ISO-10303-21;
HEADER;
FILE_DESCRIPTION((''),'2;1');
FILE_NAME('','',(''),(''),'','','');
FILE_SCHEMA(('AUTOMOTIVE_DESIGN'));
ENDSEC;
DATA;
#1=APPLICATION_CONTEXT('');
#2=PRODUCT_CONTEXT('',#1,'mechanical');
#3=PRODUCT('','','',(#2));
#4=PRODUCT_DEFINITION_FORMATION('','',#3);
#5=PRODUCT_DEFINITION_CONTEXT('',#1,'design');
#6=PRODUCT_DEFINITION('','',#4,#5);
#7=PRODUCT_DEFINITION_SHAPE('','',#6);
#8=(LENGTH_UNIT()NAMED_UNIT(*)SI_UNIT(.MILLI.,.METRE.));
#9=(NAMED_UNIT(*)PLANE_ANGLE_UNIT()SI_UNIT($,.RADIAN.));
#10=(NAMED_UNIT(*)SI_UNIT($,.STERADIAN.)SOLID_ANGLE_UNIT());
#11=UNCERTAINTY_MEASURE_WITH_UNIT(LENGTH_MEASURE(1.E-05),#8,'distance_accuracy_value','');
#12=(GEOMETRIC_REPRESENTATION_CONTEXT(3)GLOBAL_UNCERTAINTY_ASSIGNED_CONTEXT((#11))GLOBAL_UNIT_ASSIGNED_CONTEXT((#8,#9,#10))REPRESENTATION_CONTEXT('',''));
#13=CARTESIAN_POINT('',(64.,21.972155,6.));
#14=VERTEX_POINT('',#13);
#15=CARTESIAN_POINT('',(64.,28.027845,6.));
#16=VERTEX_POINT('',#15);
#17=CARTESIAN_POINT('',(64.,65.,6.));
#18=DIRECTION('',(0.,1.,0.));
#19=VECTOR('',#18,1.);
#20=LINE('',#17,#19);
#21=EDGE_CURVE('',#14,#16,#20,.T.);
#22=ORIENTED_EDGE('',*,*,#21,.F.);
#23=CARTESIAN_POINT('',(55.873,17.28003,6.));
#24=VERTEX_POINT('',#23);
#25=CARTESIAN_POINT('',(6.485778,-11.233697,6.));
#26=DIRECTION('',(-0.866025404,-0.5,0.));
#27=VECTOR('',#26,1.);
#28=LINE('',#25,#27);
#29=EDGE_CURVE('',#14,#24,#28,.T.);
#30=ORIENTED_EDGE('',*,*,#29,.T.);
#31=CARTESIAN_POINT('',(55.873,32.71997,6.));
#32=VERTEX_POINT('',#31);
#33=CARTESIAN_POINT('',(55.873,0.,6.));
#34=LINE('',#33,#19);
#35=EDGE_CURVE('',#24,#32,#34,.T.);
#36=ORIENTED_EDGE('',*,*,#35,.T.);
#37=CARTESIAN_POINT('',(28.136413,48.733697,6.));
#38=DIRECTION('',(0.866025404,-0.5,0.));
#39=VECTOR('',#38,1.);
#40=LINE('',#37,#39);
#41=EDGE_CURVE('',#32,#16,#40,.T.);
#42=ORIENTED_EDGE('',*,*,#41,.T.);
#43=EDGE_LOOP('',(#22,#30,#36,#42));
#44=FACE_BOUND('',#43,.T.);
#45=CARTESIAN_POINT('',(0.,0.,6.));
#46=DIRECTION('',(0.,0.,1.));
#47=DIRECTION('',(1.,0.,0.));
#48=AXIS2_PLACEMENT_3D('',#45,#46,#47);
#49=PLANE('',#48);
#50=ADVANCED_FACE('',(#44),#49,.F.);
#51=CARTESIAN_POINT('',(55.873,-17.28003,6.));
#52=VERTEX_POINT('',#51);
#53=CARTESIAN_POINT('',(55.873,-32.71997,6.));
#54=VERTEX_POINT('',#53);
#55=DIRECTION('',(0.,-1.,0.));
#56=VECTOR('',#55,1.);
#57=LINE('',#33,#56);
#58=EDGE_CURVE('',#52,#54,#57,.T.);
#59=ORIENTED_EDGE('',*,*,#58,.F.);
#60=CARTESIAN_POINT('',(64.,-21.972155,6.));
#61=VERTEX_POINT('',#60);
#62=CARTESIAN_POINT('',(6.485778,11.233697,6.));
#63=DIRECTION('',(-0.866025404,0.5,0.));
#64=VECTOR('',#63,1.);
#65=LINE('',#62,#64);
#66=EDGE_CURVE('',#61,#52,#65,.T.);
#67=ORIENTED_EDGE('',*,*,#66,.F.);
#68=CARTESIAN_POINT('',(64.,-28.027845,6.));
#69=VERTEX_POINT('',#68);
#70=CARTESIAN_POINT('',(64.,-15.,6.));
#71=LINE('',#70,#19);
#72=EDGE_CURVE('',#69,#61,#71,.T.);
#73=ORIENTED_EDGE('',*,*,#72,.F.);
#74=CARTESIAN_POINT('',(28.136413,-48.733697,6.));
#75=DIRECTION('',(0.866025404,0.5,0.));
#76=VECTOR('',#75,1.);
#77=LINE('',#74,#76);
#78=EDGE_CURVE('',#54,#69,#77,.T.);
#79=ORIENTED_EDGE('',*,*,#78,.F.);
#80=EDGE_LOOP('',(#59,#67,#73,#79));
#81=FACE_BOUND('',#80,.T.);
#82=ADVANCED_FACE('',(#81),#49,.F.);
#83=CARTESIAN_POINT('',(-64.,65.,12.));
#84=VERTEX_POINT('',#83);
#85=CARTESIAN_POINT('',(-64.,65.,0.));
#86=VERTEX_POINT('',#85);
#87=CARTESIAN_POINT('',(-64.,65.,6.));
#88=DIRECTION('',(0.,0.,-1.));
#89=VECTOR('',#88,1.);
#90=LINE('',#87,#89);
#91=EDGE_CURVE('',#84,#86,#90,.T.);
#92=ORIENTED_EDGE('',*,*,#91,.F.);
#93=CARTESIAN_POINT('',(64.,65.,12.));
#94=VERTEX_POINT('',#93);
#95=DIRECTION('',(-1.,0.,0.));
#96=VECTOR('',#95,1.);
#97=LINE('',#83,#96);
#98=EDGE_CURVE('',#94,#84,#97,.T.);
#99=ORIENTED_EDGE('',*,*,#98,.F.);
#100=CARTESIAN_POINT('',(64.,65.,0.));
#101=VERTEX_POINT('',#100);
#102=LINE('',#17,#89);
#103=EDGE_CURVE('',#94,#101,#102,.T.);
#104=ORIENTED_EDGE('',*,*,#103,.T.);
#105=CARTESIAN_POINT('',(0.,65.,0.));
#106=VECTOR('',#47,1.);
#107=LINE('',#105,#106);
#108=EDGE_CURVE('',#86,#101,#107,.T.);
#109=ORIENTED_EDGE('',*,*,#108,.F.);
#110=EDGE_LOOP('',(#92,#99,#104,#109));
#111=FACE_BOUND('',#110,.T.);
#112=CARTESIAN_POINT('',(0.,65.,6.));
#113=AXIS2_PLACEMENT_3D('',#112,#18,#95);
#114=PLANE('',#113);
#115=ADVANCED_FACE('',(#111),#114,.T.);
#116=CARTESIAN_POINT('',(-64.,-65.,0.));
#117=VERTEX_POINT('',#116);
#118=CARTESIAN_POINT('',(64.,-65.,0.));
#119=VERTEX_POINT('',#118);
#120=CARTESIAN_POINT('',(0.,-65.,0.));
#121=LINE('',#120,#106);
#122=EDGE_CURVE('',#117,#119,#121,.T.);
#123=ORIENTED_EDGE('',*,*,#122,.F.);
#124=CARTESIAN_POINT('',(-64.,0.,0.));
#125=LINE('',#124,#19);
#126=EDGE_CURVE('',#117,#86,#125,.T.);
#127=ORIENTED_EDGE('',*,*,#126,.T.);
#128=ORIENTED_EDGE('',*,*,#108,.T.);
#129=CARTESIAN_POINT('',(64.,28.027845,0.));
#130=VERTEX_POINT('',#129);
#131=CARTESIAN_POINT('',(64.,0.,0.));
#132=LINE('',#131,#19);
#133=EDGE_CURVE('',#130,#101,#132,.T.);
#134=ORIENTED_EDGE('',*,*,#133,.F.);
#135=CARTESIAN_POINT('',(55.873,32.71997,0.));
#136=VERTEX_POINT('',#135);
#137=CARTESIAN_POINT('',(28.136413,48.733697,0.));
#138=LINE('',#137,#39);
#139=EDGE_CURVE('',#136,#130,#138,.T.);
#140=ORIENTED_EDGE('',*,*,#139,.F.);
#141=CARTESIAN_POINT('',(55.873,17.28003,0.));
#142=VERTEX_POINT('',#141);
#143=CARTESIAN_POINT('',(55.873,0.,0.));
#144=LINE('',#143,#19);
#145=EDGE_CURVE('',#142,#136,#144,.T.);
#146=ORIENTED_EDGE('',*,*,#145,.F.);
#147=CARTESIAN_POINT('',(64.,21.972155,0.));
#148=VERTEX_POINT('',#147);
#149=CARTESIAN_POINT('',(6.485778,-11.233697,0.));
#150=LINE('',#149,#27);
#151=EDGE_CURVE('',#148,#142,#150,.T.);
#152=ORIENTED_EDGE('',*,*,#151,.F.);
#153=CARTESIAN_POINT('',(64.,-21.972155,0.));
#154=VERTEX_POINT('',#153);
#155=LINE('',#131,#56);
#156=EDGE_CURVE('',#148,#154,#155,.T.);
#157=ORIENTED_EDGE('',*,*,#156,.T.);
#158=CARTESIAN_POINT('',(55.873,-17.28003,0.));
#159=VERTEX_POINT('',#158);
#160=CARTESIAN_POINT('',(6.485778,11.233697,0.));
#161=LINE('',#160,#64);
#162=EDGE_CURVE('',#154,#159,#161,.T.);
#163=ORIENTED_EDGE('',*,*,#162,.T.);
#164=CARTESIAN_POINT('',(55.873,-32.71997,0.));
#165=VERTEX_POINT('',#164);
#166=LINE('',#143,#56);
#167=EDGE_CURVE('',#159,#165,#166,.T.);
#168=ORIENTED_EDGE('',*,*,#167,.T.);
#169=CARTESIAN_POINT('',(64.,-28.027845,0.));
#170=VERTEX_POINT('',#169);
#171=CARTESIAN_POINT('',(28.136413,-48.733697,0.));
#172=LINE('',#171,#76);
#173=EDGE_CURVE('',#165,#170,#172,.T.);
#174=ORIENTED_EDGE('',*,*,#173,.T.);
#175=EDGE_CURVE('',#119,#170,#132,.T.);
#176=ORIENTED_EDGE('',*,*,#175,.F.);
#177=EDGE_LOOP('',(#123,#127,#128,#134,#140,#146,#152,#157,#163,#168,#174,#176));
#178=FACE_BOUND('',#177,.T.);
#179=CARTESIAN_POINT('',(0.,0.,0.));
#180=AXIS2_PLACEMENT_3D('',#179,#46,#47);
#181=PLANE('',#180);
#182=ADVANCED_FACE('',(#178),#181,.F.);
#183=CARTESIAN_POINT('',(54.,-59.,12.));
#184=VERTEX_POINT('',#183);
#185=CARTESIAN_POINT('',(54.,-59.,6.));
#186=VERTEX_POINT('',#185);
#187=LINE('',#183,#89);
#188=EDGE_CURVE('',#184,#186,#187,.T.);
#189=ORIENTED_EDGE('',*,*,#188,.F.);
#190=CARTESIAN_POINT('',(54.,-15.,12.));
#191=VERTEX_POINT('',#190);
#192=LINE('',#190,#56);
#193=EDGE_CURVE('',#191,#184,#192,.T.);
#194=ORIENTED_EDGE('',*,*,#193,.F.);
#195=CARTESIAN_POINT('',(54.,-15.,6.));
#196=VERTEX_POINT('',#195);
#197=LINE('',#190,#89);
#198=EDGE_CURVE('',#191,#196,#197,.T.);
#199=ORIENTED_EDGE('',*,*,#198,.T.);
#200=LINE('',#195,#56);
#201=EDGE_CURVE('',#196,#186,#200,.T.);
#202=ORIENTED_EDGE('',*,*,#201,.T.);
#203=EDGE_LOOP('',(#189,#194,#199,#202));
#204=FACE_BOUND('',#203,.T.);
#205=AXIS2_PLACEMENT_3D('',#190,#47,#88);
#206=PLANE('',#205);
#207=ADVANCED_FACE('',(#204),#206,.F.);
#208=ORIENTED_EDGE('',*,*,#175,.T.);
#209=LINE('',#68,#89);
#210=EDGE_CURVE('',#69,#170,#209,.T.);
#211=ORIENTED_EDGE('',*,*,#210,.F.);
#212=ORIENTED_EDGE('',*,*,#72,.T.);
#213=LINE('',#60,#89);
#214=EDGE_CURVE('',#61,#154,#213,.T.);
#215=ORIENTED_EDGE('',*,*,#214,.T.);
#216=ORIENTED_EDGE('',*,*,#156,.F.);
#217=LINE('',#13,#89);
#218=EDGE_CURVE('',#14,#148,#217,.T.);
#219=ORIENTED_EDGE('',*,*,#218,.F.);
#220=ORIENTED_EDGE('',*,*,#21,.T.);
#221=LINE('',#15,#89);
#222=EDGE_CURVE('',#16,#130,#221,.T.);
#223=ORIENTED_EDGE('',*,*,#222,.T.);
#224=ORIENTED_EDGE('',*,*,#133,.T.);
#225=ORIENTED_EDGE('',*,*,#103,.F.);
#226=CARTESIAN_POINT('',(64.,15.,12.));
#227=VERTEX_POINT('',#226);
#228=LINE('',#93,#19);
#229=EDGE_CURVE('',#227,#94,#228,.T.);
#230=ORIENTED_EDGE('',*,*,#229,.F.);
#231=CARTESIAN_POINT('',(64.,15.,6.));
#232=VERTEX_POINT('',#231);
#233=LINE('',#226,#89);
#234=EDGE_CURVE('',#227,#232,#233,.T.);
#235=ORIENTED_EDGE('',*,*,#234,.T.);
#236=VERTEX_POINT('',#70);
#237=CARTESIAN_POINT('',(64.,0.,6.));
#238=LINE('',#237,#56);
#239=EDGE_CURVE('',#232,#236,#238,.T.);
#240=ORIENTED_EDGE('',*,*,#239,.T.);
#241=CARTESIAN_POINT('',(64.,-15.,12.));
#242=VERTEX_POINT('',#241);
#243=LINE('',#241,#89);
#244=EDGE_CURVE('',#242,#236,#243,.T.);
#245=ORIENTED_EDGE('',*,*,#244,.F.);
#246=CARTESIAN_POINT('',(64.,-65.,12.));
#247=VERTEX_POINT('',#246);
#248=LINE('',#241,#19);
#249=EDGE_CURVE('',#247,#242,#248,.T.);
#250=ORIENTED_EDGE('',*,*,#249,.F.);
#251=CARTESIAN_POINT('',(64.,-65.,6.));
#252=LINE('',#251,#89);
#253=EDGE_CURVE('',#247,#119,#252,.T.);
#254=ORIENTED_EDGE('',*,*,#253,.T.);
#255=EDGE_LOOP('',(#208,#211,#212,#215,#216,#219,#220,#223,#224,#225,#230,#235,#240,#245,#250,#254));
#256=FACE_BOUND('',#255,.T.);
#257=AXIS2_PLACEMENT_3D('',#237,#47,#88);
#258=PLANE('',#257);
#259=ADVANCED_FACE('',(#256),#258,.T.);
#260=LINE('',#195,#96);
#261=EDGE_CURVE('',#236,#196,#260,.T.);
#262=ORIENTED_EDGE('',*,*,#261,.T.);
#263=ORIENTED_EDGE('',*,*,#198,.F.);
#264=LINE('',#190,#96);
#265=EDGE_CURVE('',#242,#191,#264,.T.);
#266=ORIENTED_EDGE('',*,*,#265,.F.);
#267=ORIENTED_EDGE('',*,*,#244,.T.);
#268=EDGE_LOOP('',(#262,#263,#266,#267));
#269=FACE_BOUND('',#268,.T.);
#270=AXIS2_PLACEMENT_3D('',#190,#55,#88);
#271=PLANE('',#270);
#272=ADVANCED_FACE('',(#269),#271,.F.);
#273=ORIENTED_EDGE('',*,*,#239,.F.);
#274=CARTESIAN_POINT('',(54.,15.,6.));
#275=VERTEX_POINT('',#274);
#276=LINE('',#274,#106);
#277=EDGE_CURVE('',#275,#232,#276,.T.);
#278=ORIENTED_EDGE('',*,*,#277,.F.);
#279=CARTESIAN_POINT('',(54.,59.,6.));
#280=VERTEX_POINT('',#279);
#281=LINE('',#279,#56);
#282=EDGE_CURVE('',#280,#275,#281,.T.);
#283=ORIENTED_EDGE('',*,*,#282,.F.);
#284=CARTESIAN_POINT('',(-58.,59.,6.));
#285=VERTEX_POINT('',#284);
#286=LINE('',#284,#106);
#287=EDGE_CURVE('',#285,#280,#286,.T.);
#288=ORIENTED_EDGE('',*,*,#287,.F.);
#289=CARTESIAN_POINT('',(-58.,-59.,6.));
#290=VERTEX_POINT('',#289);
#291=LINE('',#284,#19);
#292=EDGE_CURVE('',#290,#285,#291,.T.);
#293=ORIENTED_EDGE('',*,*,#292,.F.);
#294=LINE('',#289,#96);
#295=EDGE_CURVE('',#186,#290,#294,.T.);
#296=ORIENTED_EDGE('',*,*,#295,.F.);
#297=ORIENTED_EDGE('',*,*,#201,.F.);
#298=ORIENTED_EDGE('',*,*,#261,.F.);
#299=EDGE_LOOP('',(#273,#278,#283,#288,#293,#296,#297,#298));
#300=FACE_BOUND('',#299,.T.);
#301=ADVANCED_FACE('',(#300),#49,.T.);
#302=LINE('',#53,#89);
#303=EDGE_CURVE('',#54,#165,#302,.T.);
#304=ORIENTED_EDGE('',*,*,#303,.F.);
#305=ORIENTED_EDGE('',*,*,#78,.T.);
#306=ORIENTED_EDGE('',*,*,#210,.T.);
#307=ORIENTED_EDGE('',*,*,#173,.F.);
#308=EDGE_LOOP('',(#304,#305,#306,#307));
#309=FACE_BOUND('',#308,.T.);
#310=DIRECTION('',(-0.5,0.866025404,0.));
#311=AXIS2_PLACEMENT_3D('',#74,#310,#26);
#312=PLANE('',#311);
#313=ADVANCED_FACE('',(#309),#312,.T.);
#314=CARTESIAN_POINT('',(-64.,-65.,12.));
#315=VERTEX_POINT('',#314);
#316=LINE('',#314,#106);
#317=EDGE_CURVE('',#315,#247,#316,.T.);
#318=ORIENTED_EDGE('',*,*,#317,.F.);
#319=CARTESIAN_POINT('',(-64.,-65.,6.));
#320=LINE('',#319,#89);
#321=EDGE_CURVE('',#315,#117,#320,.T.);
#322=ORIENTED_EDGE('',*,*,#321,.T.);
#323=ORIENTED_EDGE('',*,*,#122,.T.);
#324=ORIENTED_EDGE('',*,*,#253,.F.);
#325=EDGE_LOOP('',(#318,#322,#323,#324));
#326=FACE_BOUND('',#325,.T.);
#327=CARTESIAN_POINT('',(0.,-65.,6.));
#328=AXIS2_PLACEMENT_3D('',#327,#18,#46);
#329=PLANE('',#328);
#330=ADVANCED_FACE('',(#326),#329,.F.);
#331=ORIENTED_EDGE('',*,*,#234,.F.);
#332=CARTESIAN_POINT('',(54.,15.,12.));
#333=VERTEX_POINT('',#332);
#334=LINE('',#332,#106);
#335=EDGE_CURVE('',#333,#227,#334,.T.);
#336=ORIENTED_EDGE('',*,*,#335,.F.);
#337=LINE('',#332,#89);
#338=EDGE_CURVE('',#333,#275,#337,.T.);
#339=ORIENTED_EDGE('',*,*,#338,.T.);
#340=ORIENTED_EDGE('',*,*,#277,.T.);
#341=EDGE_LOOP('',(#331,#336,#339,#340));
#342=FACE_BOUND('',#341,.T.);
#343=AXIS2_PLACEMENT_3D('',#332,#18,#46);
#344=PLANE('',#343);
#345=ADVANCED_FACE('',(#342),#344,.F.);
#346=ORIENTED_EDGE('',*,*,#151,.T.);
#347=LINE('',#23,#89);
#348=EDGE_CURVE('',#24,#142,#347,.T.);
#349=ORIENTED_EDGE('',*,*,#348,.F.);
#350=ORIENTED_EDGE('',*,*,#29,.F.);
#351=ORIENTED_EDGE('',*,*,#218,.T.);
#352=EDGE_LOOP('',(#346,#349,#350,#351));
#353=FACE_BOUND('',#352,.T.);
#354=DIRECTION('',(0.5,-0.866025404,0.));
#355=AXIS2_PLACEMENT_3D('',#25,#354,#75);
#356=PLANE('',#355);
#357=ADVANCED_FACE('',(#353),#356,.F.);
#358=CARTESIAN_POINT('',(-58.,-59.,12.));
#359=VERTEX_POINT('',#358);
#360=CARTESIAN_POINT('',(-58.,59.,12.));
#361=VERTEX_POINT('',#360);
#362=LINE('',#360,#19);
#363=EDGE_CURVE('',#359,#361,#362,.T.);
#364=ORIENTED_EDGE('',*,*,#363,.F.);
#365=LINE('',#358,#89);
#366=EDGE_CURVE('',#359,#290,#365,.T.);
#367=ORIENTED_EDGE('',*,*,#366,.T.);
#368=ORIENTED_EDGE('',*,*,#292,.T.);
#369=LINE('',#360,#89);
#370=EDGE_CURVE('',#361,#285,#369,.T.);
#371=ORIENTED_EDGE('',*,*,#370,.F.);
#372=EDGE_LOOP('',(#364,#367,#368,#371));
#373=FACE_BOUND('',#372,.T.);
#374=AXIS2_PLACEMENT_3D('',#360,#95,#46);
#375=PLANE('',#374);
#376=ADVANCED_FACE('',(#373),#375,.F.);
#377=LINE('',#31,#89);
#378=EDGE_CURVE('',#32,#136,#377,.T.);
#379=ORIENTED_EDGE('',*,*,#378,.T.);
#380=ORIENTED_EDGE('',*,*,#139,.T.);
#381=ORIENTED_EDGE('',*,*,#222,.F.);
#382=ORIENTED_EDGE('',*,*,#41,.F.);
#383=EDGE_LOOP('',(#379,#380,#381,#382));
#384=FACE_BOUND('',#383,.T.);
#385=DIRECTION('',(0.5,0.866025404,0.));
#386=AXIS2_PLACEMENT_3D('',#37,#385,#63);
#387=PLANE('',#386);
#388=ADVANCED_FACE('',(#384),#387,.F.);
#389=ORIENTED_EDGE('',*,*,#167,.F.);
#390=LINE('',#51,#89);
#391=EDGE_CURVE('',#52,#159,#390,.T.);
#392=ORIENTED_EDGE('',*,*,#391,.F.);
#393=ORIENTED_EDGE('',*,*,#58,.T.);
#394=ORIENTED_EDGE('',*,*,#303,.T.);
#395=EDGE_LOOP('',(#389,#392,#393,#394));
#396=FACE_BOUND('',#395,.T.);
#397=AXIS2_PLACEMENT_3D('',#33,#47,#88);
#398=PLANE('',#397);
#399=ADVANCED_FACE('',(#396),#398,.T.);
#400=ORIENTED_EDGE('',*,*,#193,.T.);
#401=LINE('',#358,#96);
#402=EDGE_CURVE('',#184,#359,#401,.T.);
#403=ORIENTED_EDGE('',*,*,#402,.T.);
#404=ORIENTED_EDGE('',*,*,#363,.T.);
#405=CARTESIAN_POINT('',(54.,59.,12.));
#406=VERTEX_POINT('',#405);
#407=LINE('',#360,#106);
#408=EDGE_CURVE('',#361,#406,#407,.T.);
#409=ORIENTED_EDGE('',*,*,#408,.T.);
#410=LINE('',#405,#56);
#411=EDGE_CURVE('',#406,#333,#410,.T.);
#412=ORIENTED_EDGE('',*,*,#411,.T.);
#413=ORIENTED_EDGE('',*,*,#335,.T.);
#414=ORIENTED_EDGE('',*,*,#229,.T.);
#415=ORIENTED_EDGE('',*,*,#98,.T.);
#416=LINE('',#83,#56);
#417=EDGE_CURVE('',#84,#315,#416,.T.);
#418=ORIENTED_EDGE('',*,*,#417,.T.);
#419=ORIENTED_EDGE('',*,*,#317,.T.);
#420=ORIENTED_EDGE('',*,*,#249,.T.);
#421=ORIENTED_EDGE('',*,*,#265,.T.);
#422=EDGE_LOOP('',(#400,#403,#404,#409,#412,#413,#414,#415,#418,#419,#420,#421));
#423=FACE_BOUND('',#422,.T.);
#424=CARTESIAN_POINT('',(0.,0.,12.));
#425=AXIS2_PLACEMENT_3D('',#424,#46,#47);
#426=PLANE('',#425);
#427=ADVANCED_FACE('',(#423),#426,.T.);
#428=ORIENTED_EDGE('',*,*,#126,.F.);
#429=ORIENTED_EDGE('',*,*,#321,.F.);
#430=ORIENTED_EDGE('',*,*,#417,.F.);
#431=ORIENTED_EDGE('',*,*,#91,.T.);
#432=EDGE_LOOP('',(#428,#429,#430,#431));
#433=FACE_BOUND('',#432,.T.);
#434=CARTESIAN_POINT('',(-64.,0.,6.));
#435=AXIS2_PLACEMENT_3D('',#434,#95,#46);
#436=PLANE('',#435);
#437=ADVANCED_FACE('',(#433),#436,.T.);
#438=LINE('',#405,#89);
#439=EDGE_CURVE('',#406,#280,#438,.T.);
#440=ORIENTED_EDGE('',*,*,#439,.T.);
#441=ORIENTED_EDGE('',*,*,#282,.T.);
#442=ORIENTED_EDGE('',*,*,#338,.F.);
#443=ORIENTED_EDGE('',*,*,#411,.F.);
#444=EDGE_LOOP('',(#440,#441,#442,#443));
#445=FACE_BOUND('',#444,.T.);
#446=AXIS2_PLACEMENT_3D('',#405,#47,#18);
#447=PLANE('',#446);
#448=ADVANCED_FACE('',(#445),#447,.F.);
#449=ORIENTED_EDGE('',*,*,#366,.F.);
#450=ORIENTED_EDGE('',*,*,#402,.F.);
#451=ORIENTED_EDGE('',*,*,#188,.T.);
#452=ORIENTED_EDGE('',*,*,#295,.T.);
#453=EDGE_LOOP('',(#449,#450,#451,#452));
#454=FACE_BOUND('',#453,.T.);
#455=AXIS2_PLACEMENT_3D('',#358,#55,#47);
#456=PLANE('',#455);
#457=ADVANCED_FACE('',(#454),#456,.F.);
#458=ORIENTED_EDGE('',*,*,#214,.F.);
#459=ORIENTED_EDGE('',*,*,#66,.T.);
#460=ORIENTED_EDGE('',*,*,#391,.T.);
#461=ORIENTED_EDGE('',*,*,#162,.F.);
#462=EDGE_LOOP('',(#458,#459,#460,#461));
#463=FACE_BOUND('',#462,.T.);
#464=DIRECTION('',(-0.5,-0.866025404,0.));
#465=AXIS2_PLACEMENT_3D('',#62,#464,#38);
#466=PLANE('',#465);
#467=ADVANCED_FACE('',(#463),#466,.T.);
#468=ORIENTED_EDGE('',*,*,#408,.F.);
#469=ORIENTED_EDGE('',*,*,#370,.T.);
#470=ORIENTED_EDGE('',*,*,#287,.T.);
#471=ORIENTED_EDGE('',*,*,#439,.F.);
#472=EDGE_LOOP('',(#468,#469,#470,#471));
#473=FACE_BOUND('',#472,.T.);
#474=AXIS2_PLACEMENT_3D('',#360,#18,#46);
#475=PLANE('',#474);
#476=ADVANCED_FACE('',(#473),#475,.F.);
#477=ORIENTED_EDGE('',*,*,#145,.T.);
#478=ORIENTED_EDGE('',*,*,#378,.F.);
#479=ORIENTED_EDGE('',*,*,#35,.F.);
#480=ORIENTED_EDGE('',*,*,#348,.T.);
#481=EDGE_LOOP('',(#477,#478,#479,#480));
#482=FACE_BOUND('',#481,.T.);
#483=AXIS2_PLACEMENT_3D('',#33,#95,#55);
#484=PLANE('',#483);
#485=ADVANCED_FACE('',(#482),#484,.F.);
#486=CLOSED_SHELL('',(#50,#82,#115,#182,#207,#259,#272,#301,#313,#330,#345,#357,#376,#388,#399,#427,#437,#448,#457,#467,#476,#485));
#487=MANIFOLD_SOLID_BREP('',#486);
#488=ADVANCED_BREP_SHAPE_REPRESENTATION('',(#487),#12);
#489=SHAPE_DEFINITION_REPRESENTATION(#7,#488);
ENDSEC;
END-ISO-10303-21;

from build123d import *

# Parameters (mm, degrees)
SKETCH1_W           = 34
SKETCH1_H           = 34
BOSS_EXTRUDE1_DEPTH = 6
BOSS_EXTRUDE2_DEPTH = 6


with BuildPart() as part:
    # Sketch1 → Boss-Extrude1 (new body)
    # profile 1 of 4: a face of its own
    with BuildSketch(Plane.XY):
        Polygon((64, 21.972155185), (55.873, 17.280029547), (55.873, 32.719970453), (64, 28.027844815), (64, 65), (-64, 65), (-64, -65), (64, -65), (64, -28.027844815), (55.873, -32.719970453), (55.873, -17.280029547), (64, -21.972155185), align=None)
        with Locations((32, 0)):
            Rectangle(SKETCH1_W, SKETCH1_H, mode=Mode.SUBTRACT)
        with Locations((32, -40)):
            Rectangle(SKETCH1_W, SKETCH1_H, mode=Mode.SUBTRACT)
        with Locations((32, 40)):
            Rectangle(SKETCH1_W, SKETCH1_H, mode=Mode.SUBTRACT)
    # profile 2 of 4: a face of its own
    with BuildSketch(Plane.XY):
        with Locations((32, 0)):
            Rectangle(SKETCH1_W, SKETCH1_H)
    # profile 3 of 4: a face of its own
    with BuildSketch(Plane.XY):
        with Locations((32, 40)):
            Rectangle(SKETCH1_W, SKETCH1_H)
    # profile 4 of 4: a face of its own
    with BuildSketch(Plane.XY):
        with Locations((32, -40)):
            Rectangle(SKETCH1_W, SKETCH1_H)
    extrude(amount=BOSS_EXTRUDE1_DEPTH)

    # Sketch2 → Boss-Extrude2 (add)
    with BuildSketch(Plane.XY.offset(6)):
        Polygon((-64, 65), (64, 65), (64, 15), (54, 15), (54, 59), (-58, 59), (-58, -59), (54, -59), (54, -15), (64, -15), (64, -65), (-64, -65), align=None)
    extrude(amount=BOSS_EXTRUDE2_DEPTH)


solid = part.part
